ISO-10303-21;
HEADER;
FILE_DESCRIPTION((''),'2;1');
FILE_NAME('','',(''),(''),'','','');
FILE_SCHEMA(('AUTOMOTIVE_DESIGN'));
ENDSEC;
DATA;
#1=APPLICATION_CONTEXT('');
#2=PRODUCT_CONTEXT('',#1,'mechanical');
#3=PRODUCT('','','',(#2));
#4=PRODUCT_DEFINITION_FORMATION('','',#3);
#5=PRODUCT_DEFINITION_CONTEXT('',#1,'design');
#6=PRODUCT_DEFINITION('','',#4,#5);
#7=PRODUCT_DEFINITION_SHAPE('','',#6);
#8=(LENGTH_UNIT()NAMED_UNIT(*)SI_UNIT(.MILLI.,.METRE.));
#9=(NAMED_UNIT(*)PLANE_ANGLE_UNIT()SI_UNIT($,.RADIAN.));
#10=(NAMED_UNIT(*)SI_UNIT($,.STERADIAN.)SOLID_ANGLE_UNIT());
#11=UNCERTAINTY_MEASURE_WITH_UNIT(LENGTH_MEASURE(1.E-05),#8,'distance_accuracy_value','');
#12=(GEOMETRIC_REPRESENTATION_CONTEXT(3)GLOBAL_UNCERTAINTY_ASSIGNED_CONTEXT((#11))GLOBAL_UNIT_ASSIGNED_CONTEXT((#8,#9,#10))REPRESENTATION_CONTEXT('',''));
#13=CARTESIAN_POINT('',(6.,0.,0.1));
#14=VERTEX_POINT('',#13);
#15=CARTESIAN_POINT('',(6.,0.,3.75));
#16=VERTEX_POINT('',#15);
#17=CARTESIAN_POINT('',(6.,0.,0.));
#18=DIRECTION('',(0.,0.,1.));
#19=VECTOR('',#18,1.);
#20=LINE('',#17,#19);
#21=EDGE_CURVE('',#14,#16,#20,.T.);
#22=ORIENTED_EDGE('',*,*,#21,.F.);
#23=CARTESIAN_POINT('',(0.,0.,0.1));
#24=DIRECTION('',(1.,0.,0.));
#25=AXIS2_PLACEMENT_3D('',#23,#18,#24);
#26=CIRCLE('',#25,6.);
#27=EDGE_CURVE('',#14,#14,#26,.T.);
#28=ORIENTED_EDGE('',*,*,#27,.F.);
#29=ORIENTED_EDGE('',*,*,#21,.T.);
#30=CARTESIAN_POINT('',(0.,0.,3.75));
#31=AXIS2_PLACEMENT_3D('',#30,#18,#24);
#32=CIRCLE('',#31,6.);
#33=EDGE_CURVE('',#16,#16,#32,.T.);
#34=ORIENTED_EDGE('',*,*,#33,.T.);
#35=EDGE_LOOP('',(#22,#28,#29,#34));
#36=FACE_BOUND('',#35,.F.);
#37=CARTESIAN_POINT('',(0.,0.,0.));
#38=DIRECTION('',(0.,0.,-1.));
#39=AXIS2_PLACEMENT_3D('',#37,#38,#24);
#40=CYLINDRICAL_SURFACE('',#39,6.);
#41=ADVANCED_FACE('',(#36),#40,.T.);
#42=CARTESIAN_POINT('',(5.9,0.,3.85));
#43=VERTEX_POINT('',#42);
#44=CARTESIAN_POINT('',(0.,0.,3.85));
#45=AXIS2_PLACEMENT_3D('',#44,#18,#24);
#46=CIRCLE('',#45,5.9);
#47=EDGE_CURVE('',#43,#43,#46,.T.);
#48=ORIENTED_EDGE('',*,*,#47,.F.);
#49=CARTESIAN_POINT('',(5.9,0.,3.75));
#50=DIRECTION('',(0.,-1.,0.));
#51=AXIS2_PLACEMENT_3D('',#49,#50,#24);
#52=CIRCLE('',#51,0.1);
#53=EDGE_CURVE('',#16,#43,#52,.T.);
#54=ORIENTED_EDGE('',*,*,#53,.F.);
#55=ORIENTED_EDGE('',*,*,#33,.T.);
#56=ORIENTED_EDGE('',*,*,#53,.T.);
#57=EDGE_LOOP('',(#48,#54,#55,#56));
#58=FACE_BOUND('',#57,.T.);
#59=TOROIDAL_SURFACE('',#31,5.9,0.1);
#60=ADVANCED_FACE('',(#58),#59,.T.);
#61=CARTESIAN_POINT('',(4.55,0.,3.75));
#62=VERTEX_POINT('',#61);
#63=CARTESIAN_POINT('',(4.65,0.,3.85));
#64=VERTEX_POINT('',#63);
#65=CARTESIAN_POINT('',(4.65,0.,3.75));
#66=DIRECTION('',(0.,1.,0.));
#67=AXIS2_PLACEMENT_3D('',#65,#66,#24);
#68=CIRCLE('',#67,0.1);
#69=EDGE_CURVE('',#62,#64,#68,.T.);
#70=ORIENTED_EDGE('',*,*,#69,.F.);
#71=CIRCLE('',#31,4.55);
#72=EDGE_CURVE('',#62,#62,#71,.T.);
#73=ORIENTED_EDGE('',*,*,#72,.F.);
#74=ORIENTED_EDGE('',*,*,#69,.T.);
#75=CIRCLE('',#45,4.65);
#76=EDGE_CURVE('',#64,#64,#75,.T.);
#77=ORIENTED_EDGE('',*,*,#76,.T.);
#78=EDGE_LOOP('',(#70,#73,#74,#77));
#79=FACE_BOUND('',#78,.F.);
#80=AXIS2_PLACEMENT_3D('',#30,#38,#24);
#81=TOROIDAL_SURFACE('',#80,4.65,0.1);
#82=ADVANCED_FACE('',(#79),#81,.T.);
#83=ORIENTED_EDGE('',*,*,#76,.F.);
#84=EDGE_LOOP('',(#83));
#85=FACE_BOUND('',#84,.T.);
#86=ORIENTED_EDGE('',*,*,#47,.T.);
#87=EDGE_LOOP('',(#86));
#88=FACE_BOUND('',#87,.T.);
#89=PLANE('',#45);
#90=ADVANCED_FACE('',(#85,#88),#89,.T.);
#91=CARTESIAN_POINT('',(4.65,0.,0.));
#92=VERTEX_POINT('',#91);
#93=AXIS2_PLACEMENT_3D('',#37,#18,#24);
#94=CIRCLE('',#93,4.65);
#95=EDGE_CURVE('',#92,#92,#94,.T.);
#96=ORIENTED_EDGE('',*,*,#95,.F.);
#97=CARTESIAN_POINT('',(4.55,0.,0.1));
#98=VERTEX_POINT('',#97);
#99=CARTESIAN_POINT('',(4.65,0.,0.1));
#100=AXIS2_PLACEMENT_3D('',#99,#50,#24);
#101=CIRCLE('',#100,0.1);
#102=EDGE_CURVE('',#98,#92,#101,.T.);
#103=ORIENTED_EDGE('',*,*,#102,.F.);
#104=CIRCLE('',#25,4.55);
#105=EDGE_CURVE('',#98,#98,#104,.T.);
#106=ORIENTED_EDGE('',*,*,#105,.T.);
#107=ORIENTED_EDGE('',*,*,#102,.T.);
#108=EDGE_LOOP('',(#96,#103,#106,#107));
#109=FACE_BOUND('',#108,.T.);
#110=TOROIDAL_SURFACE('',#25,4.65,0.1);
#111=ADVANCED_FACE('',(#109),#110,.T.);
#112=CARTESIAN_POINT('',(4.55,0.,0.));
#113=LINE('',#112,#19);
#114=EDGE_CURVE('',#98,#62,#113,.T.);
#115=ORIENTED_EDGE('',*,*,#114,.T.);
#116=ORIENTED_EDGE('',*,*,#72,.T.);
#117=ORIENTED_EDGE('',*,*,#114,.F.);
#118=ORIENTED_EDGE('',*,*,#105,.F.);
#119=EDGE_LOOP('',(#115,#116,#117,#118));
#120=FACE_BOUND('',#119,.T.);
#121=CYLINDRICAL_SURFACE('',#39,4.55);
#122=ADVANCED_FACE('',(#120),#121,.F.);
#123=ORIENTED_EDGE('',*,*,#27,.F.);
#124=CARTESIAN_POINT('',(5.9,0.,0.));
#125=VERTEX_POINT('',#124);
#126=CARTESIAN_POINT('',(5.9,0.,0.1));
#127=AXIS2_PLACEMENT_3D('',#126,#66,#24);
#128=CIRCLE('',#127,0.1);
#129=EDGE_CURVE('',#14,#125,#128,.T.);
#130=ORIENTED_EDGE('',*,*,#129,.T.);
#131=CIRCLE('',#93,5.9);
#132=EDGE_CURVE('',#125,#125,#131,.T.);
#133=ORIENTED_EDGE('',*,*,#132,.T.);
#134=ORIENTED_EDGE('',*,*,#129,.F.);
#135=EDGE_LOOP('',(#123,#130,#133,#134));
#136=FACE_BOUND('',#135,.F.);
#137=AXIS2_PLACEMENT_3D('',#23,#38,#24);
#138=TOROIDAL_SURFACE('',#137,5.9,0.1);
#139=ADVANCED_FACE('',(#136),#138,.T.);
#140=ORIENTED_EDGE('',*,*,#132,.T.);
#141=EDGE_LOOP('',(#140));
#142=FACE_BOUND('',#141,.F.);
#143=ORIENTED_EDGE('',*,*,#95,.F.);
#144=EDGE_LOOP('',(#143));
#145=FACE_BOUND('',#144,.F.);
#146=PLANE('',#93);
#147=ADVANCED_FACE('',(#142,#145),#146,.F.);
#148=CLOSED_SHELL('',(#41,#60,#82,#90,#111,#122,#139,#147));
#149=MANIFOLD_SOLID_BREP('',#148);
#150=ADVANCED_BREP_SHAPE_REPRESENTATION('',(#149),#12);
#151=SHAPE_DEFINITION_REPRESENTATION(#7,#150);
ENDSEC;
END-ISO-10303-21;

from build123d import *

# Parameters (mm, degrees)
SKETCH1_R           = 6
SKETCH1_R_2         = 4.55
BOSS_EXTRUDE1_DEPTH = 3.85
FILLET1_R           = 0.1


with BuildPart() as part:
    # Sketch1 → Boss-Extrude1 (new body)
    with BuildSketch(Plane.XY):
        Circle(SKETCH1_R)
        Circle(SKETCH1_R_2, mode=Mode.SUBTRACT)
    extrude(amount=BOSS_EXTRUDE1_DEPTH)

    # Fillet1
    fillet1_edges = [part.edges().sort_by_distance(p)[0] for p in [
        (-6, 0, 0),
        (-6, 0, 3.85),
        (-4.55, 0, 0),
        (-4.55, 0, 3.85),
    ]]
    fillet(fillet1_edges, radius=FILLET1_R)


solid = part.part
